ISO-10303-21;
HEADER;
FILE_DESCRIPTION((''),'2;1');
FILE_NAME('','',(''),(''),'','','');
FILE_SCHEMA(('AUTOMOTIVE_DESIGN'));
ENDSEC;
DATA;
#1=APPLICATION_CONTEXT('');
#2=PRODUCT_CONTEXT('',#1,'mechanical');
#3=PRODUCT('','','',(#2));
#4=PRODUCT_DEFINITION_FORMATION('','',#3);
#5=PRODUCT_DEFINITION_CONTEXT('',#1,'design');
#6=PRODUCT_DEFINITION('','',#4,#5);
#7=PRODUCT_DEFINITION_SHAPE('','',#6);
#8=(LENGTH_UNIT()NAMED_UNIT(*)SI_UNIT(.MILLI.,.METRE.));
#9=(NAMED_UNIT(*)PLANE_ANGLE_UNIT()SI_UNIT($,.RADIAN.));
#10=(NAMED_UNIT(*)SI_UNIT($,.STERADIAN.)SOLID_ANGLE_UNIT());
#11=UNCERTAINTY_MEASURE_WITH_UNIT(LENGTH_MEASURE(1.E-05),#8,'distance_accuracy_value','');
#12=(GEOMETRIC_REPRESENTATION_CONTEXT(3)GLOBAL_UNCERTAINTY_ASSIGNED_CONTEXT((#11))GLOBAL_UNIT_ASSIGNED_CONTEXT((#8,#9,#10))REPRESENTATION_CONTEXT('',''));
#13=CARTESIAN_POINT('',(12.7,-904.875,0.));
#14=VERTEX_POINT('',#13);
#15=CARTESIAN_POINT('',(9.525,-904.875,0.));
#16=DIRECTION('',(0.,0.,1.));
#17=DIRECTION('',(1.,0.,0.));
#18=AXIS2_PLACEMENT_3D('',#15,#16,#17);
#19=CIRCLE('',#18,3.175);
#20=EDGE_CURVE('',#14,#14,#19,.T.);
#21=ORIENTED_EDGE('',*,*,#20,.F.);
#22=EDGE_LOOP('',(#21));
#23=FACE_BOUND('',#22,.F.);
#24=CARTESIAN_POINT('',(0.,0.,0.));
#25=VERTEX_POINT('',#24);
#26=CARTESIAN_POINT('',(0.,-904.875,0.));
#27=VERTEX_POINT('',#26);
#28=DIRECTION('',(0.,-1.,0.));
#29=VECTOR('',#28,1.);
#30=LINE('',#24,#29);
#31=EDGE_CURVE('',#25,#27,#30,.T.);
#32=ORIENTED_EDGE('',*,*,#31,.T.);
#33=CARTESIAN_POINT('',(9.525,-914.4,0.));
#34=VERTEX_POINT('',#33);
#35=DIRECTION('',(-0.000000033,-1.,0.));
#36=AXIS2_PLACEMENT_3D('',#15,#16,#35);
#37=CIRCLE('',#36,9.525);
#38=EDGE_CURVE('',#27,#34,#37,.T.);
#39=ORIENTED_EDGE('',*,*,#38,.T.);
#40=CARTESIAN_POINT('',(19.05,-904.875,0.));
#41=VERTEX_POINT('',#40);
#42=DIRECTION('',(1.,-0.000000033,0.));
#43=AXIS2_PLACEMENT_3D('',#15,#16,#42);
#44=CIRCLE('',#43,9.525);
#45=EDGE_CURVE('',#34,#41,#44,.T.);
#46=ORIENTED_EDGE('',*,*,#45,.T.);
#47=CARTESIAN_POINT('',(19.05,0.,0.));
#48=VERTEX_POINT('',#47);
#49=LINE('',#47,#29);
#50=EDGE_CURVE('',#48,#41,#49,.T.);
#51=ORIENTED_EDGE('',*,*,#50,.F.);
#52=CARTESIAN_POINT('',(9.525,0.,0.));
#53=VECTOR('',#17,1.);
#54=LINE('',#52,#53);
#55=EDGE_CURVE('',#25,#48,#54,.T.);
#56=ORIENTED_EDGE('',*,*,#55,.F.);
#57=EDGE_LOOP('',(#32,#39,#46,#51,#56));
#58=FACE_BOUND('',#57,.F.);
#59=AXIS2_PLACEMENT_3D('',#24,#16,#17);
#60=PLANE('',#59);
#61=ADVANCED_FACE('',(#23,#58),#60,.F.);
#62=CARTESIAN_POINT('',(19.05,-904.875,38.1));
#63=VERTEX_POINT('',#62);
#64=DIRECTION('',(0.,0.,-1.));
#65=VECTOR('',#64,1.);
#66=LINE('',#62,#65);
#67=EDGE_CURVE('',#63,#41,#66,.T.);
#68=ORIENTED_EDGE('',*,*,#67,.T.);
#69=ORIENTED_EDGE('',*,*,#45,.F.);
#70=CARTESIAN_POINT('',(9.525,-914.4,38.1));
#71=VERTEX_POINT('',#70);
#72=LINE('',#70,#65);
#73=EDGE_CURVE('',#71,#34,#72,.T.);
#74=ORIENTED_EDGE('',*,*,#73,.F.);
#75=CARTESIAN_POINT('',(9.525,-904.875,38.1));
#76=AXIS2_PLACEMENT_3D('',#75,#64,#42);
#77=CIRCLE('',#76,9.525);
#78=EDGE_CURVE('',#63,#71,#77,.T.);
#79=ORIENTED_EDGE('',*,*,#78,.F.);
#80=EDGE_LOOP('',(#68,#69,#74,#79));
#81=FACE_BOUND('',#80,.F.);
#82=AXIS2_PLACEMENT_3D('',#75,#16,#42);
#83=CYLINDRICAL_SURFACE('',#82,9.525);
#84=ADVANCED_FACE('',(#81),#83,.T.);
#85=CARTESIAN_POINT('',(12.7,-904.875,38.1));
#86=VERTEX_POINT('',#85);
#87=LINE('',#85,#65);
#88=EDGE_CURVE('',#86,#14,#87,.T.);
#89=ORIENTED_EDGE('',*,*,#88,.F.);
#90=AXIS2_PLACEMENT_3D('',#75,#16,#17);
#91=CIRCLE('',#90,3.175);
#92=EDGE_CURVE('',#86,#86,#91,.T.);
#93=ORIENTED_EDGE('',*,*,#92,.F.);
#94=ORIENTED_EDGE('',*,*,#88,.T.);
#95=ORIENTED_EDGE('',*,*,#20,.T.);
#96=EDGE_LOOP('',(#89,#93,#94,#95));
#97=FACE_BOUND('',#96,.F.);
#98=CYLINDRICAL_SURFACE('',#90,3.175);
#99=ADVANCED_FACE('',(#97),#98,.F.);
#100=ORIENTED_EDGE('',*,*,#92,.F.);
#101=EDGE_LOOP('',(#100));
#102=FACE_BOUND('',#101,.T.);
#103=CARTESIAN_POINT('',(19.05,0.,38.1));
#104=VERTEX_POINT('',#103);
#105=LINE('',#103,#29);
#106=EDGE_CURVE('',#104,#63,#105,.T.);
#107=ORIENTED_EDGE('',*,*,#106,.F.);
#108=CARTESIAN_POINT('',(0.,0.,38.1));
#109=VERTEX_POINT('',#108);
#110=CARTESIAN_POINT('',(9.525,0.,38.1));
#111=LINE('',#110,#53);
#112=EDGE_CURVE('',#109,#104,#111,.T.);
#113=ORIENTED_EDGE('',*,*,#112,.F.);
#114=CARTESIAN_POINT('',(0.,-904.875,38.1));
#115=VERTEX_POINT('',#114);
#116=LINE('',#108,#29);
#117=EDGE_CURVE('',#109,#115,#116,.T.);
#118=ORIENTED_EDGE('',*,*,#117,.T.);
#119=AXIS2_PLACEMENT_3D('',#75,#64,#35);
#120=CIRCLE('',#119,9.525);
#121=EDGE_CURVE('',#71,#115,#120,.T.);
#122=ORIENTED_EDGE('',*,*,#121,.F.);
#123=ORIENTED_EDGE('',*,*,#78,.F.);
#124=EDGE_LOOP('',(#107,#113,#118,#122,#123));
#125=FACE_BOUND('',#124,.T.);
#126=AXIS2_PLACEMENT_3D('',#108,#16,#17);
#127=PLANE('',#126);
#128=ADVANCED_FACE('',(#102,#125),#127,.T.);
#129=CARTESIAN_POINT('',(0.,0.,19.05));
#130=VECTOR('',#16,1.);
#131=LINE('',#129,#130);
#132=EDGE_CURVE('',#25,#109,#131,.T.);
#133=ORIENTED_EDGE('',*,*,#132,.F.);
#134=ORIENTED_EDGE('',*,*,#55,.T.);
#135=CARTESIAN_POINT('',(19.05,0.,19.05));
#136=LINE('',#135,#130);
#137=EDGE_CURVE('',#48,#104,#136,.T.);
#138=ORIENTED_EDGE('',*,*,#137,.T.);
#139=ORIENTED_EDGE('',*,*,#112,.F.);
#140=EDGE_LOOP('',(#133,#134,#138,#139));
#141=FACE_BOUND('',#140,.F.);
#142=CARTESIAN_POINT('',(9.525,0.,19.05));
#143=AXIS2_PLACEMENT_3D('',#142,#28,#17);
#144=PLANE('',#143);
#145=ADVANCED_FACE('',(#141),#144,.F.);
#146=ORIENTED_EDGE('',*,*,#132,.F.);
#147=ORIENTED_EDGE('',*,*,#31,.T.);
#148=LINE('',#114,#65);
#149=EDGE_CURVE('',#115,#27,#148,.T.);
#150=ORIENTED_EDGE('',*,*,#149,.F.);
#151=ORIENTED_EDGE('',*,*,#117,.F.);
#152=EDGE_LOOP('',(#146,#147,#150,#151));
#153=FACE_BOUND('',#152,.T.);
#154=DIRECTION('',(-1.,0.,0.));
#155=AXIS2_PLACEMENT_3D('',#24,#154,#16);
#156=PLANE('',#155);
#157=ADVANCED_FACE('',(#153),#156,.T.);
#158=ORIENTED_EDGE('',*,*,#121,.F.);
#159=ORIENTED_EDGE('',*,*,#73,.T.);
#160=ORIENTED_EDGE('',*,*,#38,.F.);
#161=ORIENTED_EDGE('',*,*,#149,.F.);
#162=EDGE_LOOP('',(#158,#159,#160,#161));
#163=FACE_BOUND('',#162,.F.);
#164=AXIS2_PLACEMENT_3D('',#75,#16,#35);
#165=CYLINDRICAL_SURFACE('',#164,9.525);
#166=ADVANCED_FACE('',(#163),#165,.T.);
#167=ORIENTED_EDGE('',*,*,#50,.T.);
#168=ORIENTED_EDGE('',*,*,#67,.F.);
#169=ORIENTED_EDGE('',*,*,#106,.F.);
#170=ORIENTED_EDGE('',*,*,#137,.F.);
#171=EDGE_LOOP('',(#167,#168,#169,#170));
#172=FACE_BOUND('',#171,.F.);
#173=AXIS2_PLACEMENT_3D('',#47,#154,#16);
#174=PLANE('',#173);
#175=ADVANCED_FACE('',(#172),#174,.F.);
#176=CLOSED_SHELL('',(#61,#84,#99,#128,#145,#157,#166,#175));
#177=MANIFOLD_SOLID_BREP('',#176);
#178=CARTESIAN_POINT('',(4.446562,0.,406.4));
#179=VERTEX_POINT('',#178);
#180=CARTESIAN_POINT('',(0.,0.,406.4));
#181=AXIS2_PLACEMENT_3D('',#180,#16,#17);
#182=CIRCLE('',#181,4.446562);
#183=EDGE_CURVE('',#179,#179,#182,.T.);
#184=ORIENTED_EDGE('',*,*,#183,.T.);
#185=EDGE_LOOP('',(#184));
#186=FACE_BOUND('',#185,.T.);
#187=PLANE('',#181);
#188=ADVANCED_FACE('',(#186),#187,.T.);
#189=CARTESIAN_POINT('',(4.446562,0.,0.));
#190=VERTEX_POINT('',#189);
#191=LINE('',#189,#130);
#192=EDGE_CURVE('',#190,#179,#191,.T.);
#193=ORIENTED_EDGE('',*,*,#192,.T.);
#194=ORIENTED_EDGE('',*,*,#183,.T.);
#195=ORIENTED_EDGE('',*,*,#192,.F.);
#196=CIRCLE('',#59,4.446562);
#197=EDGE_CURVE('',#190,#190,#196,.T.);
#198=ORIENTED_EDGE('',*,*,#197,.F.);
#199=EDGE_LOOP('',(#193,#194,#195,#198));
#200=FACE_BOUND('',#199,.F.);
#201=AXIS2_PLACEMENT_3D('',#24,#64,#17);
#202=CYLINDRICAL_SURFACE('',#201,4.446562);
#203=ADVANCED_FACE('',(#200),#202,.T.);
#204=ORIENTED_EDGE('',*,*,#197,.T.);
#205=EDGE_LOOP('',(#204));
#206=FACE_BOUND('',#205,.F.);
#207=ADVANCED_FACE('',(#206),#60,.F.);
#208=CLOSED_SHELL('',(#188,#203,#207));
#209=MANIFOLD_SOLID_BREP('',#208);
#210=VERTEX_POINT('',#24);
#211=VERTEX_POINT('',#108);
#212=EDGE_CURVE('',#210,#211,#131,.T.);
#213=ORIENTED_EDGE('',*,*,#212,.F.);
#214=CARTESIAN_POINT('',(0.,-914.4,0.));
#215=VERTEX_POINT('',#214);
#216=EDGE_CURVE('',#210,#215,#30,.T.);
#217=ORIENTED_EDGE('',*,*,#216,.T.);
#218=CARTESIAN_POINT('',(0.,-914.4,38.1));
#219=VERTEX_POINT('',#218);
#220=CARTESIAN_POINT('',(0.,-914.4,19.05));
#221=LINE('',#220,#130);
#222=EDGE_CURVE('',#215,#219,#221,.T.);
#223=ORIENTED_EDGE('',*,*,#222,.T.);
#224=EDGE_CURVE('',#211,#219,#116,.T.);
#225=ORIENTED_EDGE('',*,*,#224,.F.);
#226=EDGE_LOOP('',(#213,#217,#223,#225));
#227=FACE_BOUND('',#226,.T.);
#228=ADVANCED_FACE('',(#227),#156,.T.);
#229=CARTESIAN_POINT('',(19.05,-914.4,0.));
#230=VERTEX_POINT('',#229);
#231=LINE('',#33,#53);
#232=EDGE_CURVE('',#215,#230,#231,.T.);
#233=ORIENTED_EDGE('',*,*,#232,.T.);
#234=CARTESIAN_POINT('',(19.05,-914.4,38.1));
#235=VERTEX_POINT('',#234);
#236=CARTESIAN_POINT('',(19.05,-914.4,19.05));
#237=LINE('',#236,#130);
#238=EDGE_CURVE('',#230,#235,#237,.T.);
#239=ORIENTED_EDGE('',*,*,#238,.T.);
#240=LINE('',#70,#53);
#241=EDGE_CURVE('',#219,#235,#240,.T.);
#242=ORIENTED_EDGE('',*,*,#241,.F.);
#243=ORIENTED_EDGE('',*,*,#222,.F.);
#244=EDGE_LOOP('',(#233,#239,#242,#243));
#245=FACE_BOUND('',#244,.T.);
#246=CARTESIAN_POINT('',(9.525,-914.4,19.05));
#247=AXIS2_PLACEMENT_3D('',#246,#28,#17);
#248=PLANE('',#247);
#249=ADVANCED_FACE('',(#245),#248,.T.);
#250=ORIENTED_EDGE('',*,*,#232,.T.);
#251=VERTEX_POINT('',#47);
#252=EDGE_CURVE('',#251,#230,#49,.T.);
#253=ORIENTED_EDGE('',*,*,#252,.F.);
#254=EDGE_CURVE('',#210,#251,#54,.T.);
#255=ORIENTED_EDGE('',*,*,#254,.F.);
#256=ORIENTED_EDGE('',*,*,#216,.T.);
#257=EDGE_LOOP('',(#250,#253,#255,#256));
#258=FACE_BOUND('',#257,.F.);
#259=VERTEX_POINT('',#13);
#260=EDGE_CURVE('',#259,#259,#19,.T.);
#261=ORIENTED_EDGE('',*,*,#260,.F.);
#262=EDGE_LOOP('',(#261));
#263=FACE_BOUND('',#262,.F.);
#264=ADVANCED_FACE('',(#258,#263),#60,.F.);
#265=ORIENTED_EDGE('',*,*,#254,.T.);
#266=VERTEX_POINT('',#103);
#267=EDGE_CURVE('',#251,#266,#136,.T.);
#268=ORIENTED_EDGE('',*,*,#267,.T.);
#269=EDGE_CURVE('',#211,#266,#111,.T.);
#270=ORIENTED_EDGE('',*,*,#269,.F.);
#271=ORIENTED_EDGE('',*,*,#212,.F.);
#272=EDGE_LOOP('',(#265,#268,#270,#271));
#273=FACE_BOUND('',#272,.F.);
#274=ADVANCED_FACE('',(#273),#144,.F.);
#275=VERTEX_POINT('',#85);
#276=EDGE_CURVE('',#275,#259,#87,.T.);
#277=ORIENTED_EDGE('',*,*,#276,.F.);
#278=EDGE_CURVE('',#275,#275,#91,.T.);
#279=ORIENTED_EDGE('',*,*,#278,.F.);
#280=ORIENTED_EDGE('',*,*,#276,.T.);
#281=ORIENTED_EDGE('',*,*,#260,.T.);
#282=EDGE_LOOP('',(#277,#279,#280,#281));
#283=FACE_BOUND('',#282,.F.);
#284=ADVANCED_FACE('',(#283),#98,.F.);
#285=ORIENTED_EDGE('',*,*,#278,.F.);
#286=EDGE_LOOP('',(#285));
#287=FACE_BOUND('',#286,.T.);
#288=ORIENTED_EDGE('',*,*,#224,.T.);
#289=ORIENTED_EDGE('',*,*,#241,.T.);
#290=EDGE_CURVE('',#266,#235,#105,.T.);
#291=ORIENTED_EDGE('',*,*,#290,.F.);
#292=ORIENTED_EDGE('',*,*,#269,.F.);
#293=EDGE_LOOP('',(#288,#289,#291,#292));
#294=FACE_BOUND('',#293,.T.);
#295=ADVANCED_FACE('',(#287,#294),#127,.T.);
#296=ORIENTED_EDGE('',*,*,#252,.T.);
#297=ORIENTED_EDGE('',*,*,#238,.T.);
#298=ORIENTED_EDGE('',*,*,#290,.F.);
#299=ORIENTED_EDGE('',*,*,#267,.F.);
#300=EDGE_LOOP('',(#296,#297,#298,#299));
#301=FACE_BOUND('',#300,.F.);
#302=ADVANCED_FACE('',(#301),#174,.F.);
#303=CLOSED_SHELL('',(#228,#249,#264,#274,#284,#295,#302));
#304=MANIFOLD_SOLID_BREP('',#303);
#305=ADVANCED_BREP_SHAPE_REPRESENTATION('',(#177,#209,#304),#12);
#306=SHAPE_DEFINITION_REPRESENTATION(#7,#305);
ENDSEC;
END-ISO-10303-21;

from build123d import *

# Parameters (mm, degrees)
F0_W     = 19.05
F0_H     = 38.1
F1_DEPTH = 914.4
F2_R     = 4.446562
F3_DEPTH = 406.4
F4_R     = 3.175
F5_DEPTH = 38.101
F6_DEPTH = 914.4
F7_DEPTH = 38.101


with BuildPart() as f1:
    # F0 (on Front) → F1 (new body)
    with BuildSketch(Plane.XZ):
        with Locations((9.525, 19.05)):
            Rectangle(F0_W, F0_H)
    extrude(amount=F1_DEPTH)

    # F4 (on face) → F5 (cut, through all)
    with BuildSketch(Plane.XY.offset(38.1)):
        with BuildLine():
            Line((19.05, -914.4), (19.05, -904.875))
            ThreePointArc((19.05, -904.875), (16.260192, -911.610192), (9.525, -914.4))
            Line((9.525, -914.4), (19.05, -914.4))
        make_face()
        with BuildLine():
            ThreePointArc((9.525, -914.4), (2.789808, -911.610192), (0, -904.875))
            Line((0, -904.875), (0, -914.4))
            Line((0, -914.4), (9.525, -914.4))
        make_face()
        with Locations((9.525, -904.875)):
            Circle(F4_R)
    extrude(amount=-F5_DEPTH, mode=Mode.SUBTRACT)


with BuildPart() as f3:
    # F2 (on Top) → F3 (new body)
    with BuildSketch(Plane.XY):
        Circle(F2_R)
    extrude(amount=F3_DEPTH)


with BuildPart() as f6:
    # F0 (on Front) → F6 (new body)
    with BuildSketch(Plane.XZ):
        with Locations((9.525, 19.05)):
            Rectangle(F0_W, F0_H)
    extrude(amount=F6_DEPTH)

    # F4 (on face) → F7 (cut, through all)
    with BuildSketch(Plane.XY.offset(38.1)):
        with Locations((9.525, -904.875)):
            Circle(F4_R)
    extrude(amount=-F7_DEPTH, mode=Mode.SUBTRACT)


solid = Compound([f1.part, f3.part, f6.part])
